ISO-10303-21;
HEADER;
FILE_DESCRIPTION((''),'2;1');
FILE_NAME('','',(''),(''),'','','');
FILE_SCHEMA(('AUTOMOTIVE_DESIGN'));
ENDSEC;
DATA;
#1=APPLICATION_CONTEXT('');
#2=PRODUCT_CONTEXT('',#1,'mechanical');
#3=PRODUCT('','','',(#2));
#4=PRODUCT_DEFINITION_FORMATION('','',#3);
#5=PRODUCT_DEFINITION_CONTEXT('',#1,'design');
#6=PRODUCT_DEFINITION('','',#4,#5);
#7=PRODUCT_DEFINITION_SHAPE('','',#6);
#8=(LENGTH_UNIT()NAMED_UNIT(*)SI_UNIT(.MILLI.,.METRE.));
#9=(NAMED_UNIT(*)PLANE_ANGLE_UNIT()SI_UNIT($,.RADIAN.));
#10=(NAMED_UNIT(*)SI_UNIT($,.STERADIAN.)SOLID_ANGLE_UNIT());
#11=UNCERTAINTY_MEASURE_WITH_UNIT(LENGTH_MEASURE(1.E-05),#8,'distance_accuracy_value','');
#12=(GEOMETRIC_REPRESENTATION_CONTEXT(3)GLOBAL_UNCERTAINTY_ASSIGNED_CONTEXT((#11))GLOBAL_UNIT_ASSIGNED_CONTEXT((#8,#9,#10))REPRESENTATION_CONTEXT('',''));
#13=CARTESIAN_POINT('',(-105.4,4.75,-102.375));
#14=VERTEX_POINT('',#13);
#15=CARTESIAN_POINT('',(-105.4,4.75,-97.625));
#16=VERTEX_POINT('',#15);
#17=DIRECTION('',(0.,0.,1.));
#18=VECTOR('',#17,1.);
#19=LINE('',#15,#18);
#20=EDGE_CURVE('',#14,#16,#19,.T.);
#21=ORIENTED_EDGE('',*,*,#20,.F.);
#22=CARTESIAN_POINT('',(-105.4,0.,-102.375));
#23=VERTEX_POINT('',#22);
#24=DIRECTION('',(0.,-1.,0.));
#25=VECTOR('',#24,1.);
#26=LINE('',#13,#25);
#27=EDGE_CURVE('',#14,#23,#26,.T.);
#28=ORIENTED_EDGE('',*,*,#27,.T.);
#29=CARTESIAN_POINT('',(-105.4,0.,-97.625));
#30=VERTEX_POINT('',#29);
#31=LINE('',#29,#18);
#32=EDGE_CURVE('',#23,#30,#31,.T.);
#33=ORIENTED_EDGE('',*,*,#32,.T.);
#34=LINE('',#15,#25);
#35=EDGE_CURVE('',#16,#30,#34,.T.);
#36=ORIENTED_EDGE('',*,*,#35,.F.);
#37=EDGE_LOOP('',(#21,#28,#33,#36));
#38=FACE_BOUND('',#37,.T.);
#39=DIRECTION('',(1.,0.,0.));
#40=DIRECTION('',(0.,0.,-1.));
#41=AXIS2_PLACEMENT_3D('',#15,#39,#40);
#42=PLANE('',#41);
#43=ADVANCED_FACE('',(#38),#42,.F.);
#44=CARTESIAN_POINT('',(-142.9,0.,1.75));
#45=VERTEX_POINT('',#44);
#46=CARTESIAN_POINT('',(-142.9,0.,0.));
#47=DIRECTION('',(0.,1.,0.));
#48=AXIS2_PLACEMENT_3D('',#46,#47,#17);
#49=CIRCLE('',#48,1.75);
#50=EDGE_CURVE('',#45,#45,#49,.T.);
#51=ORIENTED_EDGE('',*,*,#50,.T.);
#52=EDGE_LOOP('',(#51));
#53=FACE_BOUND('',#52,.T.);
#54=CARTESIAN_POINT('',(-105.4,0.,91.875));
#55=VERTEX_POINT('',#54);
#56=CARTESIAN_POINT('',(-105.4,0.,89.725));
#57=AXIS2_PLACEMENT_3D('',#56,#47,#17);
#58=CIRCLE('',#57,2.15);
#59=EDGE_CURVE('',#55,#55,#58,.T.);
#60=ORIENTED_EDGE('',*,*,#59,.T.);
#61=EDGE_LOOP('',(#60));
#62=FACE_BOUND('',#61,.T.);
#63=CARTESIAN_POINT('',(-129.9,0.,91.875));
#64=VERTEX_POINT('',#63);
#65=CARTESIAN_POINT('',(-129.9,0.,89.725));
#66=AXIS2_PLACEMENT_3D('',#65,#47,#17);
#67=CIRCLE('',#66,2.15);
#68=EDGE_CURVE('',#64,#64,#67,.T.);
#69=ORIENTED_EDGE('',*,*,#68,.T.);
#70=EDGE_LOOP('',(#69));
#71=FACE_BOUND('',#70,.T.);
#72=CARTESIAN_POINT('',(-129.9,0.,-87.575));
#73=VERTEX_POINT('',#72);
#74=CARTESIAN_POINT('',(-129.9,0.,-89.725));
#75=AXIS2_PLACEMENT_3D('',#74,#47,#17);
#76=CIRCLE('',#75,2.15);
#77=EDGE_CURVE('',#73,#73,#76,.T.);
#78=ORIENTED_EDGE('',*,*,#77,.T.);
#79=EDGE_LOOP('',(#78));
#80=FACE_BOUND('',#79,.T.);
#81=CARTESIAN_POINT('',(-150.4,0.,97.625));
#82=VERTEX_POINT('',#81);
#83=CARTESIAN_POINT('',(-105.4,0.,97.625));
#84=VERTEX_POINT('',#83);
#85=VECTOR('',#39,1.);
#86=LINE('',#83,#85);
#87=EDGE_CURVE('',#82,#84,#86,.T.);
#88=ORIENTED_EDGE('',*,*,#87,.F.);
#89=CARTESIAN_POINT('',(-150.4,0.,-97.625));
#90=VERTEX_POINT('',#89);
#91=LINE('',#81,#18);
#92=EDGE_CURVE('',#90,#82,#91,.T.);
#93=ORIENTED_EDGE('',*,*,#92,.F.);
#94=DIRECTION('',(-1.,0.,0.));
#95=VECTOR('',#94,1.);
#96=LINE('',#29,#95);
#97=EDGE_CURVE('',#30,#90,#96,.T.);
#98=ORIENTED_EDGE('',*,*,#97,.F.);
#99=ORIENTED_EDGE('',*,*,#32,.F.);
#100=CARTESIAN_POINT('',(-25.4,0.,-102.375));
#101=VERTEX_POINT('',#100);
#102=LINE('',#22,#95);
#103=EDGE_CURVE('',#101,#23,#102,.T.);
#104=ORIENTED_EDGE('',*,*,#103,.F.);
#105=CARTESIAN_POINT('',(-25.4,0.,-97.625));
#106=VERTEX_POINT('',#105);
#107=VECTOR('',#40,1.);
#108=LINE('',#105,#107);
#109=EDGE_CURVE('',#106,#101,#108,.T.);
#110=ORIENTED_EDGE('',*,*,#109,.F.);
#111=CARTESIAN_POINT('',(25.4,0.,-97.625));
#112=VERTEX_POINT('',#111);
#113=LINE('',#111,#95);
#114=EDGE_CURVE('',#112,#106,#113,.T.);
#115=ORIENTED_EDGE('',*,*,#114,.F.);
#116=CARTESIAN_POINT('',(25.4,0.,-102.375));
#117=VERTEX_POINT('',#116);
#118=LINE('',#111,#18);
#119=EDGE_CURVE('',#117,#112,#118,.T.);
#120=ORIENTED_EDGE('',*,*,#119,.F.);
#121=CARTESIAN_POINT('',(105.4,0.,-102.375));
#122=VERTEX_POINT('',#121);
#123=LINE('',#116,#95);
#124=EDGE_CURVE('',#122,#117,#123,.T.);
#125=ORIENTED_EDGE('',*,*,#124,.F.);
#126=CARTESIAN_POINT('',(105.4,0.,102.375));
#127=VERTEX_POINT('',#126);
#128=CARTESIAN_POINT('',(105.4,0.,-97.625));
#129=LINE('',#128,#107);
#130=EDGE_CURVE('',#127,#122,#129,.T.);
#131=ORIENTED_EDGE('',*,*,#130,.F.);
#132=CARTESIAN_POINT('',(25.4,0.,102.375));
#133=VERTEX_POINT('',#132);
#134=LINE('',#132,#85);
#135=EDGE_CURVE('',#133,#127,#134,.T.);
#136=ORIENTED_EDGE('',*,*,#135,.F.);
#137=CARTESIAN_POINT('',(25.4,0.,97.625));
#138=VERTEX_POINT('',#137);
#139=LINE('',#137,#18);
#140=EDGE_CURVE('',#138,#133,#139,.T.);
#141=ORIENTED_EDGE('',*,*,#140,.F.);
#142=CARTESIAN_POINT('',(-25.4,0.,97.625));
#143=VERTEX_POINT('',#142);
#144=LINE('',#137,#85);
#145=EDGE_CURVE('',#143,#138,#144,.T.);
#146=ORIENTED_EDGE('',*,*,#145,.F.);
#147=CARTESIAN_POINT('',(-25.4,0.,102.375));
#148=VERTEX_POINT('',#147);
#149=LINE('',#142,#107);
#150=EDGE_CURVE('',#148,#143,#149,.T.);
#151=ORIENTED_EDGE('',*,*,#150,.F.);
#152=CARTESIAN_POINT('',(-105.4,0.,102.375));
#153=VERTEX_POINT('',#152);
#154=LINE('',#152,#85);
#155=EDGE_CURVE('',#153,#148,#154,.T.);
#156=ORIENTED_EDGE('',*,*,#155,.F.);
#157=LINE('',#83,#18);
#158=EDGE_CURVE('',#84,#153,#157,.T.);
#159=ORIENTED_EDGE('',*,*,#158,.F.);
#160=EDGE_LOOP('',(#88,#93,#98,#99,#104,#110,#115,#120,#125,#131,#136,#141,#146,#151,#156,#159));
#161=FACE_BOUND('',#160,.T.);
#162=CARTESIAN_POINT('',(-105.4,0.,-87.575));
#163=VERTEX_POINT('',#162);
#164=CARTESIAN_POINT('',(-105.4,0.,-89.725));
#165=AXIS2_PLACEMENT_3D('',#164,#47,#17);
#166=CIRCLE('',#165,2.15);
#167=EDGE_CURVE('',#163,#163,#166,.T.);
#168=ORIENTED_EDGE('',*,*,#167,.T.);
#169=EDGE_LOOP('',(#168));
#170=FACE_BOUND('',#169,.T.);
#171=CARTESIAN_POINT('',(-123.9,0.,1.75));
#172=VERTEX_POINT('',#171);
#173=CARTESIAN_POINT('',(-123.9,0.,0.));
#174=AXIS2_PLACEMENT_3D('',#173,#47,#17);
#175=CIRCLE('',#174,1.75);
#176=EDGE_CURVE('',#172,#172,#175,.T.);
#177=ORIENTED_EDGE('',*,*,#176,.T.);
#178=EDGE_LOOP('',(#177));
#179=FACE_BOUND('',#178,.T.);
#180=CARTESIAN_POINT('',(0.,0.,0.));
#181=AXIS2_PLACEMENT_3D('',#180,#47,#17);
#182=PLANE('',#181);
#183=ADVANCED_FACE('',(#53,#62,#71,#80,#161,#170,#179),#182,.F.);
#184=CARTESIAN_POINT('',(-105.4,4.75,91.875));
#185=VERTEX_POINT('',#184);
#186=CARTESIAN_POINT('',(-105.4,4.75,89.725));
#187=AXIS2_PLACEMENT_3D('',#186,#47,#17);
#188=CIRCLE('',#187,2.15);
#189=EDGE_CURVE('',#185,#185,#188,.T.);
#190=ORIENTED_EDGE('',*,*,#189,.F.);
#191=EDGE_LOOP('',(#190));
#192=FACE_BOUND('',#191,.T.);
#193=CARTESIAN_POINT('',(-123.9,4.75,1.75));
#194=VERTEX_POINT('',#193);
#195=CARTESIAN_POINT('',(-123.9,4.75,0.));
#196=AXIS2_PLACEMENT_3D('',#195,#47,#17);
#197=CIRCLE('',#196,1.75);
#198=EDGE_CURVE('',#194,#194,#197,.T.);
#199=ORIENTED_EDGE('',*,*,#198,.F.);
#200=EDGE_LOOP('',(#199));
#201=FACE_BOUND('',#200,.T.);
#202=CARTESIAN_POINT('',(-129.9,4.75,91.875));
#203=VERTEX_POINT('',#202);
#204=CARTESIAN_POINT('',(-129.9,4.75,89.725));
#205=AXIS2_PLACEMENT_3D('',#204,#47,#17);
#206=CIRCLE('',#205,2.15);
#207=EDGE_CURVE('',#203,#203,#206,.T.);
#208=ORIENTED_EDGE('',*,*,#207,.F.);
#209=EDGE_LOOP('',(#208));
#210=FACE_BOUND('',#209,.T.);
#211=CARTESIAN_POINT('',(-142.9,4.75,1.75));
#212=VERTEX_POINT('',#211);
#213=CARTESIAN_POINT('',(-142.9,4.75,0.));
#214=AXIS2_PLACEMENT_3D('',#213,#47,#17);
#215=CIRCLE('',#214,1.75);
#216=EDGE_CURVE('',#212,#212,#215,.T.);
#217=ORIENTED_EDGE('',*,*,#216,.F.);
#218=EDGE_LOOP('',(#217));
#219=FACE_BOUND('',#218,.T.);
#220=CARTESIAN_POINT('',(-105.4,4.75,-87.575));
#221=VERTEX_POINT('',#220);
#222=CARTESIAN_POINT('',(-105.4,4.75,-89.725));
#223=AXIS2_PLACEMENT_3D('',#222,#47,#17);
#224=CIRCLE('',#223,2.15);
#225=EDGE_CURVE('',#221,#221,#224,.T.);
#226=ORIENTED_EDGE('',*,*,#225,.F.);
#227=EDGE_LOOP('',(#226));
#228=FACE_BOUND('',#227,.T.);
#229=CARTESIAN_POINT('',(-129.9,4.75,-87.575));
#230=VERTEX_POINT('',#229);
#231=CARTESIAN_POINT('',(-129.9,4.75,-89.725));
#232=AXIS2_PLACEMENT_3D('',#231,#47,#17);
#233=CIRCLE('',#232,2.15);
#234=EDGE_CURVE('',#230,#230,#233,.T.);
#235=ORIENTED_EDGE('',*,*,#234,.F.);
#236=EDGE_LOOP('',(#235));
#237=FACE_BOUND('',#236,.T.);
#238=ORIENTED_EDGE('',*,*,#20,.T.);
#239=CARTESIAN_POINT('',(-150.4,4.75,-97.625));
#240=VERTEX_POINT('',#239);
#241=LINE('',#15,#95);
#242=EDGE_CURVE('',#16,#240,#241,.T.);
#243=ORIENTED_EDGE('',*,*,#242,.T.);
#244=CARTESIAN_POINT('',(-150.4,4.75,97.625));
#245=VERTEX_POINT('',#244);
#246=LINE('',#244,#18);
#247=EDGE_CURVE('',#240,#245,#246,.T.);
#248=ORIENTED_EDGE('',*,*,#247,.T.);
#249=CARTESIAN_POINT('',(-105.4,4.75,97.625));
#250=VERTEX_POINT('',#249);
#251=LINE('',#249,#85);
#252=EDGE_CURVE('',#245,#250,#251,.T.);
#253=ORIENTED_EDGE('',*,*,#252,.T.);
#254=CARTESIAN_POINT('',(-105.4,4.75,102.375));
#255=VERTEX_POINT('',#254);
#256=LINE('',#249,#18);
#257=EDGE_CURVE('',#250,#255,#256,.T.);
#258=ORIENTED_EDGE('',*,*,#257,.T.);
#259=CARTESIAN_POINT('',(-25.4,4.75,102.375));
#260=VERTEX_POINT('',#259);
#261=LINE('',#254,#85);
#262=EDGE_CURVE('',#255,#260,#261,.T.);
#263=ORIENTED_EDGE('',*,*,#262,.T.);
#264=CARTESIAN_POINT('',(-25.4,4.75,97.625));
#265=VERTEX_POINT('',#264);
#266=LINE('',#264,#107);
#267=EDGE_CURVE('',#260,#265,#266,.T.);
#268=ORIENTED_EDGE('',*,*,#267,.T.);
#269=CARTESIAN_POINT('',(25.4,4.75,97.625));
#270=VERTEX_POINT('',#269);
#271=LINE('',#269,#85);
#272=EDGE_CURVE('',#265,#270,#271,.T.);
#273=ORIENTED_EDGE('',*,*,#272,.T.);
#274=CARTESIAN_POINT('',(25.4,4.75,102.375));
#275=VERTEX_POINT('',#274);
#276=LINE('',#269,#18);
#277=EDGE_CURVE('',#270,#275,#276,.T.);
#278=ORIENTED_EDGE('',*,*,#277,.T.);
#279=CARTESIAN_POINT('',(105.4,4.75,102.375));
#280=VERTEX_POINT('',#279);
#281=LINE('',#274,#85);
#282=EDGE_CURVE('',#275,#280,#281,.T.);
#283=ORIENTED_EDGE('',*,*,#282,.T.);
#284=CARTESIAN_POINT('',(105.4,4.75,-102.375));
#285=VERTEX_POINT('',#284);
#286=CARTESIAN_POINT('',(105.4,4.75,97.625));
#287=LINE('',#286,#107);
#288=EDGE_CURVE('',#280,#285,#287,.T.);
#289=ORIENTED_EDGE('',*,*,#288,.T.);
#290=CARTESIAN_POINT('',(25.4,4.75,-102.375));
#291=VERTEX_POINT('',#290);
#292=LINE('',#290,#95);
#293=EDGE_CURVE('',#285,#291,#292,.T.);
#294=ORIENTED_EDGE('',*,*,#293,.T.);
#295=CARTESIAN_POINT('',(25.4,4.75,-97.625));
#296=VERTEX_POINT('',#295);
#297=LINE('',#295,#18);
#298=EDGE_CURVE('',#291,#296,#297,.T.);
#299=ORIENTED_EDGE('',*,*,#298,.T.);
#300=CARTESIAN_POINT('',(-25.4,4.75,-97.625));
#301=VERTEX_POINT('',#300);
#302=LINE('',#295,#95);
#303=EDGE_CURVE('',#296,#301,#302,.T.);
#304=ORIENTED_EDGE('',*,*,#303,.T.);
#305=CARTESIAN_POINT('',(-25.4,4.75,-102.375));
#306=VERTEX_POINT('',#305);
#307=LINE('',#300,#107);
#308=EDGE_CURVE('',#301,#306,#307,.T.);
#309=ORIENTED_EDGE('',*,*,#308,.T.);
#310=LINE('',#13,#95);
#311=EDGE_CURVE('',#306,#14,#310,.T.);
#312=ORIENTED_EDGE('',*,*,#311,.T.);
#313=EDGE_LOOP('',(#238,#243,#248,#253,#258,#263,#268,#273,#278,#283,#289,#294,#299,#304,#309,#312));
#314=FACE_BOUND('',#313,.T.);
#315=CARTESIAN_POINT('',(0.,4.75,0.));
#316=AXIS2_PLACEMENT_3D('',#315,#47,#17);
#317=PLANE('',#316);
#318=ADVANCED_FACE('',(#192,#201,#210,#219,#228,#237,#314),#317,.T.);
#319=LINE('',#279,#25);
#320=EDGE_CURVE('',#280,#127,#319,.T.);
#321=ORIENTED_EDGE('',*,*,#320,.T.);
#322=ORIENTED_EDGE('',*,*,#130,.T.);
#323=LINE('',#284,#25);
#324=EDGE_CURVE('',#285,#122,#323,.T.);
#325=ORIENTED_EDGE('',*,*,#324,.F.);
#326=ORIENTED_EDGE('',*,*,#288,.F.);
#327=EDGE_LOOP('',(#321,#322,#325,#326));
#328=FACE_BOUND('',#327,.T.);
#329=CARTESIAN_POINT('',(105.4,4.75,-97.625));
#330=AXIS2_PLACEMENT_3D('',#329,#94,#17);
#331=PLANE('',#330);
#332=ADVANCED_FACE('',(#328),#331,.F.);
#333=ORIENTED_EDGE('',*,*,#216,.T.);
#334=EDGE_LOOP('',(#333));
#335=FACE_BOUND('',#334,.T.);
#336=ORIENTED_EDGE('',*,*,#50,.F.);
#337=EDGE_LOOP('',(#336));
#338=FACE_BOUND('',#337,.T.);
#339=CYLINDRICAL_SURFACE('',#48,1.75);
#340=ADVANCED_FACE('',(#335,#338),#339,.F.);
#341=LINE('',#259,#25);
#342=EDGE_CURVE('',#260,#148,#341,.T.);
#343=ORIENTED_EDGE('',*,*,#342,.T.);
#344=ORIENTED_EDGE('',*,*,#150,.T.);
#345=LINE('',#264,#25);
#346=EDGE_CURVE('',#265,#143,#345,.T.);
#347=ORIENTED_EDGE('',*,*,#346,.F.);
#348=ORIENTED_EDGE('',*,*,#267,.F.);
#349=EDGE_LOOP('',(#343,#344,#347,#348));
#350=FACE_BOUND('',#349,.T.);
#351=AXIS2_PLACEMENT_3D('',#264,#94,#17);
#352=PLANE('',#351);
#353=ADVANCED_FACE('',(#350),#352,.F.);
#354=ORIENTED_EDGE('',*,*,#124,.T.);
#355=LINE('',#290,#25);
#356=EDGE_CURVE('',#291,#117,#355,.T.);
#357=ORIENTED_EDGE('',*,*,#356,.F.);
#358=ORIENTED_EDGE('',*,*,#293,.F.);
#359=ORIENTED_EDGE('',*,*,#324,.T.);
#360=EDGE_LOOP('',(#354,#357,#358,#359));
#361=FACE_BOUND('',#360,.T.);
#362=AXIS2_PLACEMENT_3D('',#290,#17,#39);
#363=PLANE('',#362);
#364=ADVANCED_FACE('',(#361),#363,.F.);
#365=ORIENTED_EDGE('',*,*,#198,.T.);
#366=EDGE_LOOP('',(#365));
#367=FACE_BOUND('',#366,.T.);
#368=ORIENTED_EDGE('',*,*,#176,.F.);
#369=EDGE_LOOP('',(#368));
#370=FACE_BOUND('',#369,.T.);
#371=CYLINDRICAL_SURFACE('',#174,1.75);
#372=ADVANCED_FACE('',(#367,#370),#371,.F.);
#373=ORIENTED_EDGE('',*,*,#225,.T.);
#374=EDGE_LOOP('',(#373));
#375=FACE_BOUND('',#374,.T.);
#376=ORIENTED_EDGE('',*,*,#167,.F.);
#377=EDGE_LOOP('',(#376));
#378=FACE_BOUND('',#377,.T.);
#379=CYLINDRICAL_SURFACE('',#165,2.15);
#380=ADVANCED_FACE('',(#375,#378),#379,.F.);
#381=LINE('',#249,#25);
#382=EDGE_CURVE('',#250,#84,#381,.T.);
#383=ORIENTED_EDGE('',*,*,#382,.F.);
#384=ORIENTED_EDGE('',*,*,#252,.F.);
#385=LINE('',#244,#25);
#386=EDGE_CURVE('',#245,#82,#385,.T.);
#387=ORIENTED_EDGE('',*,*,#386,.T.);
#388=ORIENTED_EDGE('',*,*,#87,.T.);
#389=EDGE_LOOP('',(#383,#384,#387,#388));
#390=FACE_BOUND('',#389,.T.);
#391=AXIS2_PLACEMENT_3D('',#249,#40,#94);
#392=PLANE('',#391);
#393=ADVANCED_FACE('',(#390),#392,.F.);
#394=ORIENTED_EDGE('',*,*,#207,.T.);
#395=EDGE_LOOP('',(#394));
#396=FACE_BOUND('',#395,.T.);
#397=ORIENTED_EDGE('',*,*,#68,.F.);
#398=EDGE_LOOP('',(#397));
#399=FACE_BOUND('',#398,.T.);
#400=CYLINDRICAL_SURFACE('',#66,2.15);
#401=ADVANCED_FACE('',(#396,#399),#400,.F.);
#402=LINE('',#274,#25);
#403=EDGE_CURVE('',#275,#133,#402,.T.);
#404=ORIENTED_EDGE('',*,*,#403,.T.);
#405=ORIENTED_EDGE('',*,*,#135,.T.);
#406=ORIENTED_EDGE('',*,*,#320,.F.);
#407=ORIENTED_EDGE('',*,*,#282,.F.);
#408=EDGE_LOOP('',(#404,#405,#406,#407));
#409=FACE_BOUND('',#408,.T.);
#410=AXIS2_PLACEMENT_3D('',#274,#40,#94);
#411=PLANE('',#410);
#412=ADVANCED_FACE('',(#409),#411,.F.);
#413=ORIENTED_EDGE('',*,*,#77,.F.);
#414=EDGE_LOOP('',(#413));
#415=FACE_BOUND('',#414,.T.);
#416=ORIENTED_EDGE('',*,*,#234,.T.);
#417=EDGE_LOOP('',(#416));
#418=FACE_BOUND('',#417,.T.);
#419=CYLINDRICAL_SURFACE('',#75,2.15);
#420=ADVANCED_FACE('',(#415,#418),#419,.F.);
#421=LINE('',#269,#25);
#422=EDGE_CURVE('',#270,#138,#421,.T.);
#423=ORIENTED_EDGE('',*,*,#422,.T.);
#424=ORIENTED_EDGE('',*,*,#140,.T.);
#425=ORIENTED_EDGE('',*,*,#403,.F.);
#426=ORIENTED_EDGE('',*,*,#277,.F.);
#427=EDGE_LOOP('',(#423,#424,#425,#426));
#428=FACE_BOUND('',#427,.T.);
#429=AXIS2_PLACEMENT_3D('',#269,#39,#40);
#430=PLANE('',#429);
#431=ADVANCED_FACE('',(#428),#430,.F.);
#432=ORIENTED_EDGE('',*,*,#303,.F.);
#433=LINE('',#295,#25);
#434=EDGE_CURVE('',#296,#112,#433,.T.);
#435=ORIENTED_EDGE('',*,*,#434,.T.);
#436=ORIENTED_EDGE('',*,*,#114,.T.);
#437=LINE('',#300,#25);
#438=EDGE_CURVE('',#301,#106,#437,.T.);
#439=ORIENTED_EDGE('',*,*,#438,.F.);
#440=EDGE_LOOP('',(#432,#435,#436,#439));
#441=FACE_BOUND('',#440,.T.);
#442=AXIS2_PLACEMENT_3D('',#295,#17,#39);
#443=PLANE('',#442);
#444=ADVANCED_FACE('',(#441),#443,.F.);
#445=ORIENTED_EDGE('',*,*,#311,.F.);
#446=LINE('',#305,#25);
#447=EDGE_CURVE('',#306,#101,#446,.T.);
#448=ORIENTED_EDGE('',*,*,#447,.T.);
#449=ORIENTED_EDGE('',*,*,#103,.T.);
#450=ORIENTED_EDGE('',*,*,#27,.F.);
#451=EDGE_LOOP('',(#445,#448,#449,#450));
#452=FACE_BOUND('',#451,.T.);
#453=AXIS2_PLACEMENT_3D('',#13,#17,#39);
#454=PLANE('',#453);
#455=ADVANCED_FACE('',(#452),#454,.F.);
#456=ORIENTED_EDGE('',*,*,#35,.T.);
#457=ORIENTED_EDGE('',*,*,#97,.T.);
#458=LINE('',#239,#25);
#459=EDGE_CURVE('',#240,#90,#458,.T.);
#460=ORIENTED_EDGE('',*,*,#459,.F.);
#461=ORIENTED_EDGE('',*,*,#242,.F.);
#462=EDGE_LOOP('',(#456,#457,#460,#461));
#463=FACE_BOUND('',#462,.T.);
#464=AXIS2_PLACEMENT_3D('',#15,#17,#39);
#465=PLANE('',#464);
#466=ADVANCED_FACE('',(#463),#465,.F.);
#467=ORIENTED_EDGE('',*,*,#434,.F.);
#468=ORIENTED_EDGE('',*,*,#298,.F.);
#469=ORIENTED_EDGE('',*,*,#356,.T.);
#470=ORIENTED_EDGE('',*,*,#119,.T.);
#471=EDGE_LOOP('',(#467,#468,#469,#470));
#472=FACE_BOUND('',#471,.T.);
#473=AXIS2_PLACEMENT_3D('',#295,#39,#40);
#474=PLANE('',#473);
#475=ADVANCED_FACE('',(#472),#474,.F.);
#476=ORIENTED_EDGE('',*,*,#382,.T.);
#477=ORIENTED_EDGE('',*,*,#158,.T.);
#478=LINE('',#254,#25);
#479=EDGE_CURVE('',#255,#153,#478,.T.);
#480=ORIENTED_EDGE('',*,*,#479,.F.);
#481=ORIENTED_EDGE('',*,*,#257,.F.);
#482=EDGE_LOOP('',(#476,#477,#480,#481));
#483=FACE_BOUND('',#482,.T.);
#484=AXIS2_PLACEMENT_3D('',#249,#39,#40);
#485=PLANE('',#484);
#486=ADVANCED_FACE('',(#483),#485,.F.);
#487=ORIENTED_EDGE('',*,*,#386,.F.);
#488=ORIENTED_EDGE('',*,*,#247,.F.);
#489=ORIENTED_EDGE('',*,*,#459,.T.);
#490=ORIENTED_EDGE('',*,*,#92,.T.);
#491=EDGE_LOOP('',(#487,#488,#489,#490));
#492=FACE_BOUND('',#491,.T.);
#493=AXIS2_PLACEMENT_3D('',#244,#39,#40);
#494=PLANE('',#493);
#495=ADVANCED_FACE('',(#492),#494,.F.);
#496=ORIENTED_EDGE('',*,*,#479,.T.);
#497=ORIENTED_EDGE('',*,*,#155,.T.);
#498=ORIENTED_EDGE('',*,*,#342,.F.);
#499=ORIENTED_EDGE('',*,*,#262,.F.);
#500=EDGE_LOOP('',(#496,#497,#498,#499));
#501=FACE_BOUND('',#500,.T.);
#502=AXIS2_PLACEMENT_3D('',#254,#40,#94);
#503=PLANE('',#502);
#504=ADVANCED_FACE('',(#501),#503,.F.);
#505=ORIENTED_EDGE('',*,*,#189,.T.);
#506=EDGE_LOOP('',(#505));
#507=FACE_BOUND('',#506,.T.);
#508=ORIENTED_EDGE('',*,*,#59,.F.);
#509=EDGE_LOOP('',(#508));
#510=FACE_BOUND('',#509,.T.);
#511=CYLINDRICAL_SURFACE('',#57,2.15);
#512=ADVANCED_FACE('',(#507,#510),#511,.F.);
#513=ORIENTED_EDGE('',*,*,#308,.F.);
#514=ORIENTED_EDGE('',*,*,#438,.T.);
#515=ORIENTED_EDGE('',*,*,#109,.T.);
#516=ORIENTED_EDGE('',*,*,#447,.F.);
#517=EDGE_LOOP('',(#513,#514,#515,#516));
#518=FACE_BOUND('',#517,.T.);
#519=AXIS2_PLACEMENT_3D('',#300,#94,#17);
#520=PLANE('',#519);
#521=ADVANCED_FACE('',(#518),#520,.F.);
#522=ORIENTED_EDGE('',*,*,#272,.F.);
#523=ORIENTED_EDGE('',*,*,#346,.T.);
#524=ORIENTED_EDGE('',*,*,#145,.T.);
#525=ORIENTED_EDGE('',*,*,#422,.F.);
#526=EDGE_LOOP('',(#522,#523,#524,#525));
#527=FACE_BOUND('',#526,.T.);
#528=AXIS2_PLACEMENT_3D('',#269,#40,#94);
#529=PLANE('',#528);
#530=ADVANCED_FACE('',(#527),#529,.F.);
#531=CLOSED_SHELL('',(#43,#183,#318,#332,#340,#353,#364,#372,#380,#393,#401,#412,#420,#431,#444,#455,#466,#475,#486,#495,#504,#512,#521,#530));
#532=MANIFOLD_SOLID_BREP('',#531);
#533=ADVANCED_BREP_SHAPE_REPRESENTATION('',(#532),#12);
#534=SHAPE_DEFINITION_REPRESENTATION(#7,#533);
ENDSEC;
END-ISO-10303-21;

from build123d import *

# Parameters (mm, degrees)
EXTRUDE_1_DEPTH     = 4.75
SKETCH_3_R          = 1.75
CUT_EXTRUDE_1_DEPTH = 4.75
SKETCH_4_R          = 2.15
CUT_EXTRUDE_2_DEPTH = 4.75


with BuildPart() as part:
    # 草圖1 → 填料-伸長1 (new body)
    with BuildSketch(Plane(origin=(0, 0, 0), x_dir=(1, 0, 0), z_dir=(0, 1, 0))):
        Polygon((-105.4, 97.625), (-150.4, 97.625), (-150.4, -97.625), (-105.4, -97.625), (-105.4, -102.375), (-25.4, -102.375), (-25.4, -97.625), (25.4, -97.625), (25.4, -102.375), (105.4, -102.375), (105.4, -97.625), (105.4, 97.625), (105.4, 102.375), (25.4, 102.375), (25.4, 97.625), (-25.4, 97.625), (-25.4, 102.375), (-105.4, 102.375), align=None)
    extrude(amount=EXTRUDE_1_DEPTH)

    # 草圖3 → 除料-伸長1 (cut)
    with BuildSketch(Plane(origin=(0, 4.75, 0), x_dir=(1, 0, 0), z_dir=(0, 1, 0))):
        with Locations(Location((-123.9, 0, 0), (0, 0, 270))):
            Circle(SKETCH_3_R)
        with Locations(Location((-142.9, 0, 0), (0, 0, 270))):
            Circle(SKETCH_3_R)
    extrude(amount=-CUT_EXTRUDE_1_DEPTH, mode=Mode.SUBTRACT)

    # 草圖4 → 除料-伸長2 (cut)
    with BuildSketch(Plane(origin=(0, 4.75, 0), x_dir=(1, 0, 0), z_dir=(0, 1, 0))):
        with Locations(Location((-105.4, -89.725, 0), (0, 0, 270))):
            Circle(SKETCH_4_R)
        with Locations(Location((-129.9, -89.725, 0), (0, 0, 270))):
            Circle(SKETCH_4_R)
        with Locations(Location((-105.4, 89.725, 0), (0, 0, 270))):
            Circle(SKETCH_4_R)
        with Locations(Location((-129.9, 89.725, 0), (0, 0, 270))):
            Circle(SKETCH_4_R)
    extrude(amount=-CUT_EXTRUDE_2_DEPTH, mode=Mode.SUBTRACT)


solid = part.part
